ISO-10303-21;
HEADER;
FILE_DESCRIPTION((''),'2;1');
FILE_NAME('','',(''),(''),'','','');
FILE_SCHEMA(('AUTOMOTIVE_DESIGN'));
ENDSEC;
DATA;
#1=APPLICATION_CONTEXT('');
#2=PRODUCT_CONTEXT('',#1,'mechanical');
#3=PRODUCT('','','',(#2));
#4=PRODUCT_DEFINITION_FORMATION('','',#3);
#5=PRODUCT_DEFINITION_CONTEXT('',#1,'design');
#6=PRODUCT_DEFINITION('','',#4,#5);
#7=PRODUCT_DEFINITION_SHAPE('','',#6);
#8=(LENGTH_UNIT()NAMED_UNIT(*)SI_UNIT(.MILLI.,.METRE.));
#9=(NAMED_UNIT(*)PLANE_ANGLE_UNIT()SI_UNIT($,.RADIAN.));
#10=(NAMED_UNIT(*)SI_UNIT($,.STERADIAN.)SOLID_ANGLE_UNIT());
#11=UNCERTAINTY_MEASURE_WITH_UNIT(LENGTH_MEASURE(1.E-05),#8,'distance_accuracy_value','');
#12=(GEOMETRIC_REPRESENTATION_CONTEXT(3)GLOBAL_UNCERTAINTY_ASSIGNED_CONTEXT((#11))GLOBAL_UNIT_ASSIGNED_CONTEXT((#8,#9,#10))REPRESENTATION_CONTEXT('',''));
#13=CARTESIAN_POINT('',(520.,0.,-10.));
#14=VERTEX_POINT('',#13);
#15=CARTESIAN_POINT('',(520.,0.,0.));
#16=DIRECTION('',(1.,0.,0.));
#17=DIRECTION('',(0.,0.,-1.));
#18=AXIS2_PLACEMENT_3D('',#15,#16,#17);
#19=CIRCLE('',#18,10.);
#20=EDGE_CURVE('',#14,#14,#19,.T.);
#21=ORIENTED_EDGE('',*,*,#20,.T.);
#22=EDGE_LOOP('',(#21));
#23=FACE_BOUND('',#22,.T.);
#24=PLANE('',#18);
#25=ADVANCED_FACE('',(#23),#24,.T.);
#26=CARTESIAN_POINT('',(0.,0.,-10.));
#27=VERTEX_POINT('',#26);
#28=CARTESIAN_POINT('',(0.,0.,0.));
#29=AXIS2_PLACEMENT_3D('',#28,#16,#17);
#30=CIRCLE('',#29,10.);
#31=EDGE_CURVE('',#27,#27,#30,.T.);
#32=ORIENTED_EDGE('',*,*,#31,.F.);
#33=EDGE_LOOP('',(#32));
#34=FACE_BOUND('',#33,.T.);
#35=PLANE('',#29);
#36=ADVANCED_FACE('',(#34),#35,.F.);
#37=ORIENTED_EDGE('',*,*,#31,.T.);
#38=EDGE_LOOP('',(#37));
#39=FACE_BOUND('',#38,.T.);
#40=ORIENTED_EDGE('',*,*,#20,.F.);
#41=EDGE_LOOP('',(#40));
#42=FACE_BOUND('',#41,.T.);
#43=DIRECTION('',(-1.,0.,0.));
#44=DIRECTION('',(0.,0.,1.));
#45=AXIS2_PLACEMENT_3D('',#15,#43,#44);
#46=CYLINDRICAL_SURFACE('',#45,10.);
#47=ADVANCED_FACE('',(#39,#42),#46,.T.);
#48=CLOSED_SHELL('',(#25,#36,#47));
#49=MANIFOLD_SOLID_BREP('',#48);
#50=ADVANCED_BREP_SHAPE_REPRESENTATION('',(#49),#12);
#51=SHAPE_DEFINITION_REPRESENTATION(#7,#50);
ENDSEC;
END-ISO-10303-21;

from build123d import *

# Parameters (mm, degrees)
SKETCH1_R           = 10
BOSS_EXTRUDE1_DEPTH = 520


with BuildPart() as part:
    # Sketch1 → Boss-Extrude1 (new body)
    with BuildSketch(Plane(origin=(0, 0, 0), x_dir=(0, 0, -1), z_dir=(1, 0, 0))):
        Circle(SKETCH1_R)
    extrude(amount=BOSS_EXTRUDE1_DEPTH)


solid = part.part
